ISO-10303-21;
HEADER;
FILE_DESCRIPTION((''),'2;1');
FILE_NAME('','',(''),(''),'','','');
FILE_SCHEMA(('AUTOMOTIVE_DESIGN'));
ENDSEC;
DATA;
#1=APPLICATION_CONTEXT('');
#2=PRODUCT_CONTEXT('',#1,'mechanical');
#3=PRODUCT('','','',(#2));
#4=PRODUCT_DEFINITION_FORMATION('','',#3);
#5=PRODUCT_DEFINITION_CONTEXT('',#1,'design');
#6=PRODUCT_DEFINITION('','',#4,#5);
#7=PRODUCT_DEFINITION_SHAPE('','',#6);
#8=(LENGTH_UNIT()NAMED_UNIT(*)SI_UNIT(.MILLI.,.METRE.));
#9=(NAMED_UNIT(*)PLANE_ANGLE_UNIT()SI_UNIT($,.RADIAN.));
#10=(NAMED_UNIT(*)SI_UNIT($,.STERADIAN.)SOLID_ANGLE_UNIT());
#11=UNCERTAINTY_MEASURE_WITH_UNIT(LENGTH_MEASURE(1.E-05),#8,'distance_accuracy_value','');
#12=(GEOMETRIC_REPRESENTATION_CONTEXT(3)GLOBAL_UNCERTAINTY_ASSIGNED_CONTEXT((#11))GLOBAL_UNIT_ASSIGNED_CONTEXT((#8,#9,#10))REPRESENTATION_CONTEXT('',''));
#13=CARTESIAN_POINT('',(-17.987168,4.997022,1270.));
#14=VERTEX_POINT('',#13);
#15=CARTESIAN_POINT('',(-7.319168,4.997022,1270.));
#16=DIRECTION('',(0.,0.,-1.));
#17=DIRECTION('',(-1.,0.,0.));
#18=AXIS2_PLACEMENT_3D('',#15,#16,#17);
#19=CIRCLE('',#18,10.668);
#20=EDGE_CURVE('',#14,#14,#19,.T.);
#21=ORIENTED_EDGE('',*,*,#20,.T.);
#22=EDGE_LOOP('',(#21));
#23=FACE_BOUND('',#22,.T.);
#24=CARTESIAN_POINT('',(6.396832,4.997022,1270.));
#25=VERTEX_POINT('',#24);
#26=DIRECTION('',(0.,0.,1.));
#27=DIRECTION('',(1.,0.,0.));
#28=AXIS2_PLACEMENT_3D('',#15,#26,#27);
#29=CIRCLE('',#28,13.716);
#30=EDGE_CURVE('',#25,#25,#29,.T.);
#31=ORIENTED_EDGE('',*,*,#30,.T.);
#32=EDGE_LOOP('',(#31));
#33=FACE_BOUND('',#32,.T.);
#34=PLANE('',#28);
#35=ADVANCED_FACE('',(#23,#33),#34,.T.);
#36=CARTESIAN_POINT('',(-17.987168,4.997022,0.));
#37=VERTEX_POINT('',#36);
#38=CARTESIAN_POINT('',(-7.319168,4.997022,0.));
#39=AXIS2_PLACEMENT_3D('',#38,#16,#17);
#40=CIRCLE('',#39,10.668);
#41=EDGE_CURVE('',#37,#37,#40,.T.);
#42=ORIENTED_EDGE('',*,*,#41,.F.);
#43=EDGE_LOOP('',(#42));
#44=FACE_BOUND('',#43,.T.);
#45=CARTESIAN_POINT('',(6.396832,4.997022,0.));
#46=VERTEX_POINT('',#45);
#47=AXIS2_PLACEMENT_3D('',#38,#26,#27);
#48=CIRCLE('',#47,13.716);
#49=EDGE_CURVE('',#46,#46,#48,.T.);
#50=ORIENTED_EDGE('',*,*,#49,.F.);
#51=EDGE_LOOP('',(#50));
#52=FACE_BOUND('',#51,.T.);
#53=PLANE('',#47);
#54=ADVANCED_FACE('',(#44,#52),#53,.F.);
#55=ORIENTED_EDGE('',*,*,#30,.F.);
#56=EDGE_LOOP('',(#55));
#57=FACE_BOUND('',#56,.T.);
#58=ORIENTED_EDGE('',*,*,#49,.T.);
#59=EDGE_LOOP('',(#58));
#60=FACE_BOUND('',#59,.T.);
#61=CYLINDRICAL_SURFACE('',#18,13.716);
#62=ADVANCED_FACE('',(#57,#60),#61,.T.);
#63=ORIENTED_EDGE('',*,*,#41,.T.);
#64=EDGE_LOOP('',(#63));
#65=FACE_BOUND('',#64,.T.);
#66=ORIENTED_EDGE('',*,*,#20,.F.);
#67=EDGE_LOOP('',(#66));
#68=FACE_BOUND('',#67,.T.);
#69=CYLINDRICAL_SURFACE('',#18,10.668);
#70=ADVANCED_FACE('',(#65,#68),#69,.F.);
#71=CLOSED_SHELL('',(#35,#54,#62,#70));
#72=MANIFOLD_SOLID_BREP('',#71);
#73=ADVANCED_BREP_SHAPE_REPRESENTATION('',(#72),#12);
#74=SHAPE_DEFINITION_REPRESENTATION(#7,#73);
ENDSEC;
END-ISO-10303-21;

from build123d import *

# Parameters (mm, degrees)
SKETCH1_R           = 13.716
BOSS_EXTRUDE1_DEPTH = 1270
SKETCH2_R           = 10.668
CUT_EXTRUDE1_DEPTH  = 1271


with BuildPart() as part:
    # Sketch1 → Boss-Extrude1 (new body)
    with BuildSketch(Plane.XY):
        with Locations((-7.319167791, 4.997022186)):
            Circle(SKETCH1_R)
    extrude(amount=BOSS_EXTRUDE1_DEPTH)

    # Sketch2 → Cut-Extrude1 (cut, through all)
    with BuildSketch(Plane(origin=(0, 0, 0), x_dir=(-1, 0, 0), z_dir=(0, 0, -1))):
        with Locations((7.319167791, 4.997022186)):
            Circle(SKETCH2_R)
    extrude(amount=-CUT_EXTRUDE1_DEPTH, mode=Mode.SUBTRACT)


solid = part.part
